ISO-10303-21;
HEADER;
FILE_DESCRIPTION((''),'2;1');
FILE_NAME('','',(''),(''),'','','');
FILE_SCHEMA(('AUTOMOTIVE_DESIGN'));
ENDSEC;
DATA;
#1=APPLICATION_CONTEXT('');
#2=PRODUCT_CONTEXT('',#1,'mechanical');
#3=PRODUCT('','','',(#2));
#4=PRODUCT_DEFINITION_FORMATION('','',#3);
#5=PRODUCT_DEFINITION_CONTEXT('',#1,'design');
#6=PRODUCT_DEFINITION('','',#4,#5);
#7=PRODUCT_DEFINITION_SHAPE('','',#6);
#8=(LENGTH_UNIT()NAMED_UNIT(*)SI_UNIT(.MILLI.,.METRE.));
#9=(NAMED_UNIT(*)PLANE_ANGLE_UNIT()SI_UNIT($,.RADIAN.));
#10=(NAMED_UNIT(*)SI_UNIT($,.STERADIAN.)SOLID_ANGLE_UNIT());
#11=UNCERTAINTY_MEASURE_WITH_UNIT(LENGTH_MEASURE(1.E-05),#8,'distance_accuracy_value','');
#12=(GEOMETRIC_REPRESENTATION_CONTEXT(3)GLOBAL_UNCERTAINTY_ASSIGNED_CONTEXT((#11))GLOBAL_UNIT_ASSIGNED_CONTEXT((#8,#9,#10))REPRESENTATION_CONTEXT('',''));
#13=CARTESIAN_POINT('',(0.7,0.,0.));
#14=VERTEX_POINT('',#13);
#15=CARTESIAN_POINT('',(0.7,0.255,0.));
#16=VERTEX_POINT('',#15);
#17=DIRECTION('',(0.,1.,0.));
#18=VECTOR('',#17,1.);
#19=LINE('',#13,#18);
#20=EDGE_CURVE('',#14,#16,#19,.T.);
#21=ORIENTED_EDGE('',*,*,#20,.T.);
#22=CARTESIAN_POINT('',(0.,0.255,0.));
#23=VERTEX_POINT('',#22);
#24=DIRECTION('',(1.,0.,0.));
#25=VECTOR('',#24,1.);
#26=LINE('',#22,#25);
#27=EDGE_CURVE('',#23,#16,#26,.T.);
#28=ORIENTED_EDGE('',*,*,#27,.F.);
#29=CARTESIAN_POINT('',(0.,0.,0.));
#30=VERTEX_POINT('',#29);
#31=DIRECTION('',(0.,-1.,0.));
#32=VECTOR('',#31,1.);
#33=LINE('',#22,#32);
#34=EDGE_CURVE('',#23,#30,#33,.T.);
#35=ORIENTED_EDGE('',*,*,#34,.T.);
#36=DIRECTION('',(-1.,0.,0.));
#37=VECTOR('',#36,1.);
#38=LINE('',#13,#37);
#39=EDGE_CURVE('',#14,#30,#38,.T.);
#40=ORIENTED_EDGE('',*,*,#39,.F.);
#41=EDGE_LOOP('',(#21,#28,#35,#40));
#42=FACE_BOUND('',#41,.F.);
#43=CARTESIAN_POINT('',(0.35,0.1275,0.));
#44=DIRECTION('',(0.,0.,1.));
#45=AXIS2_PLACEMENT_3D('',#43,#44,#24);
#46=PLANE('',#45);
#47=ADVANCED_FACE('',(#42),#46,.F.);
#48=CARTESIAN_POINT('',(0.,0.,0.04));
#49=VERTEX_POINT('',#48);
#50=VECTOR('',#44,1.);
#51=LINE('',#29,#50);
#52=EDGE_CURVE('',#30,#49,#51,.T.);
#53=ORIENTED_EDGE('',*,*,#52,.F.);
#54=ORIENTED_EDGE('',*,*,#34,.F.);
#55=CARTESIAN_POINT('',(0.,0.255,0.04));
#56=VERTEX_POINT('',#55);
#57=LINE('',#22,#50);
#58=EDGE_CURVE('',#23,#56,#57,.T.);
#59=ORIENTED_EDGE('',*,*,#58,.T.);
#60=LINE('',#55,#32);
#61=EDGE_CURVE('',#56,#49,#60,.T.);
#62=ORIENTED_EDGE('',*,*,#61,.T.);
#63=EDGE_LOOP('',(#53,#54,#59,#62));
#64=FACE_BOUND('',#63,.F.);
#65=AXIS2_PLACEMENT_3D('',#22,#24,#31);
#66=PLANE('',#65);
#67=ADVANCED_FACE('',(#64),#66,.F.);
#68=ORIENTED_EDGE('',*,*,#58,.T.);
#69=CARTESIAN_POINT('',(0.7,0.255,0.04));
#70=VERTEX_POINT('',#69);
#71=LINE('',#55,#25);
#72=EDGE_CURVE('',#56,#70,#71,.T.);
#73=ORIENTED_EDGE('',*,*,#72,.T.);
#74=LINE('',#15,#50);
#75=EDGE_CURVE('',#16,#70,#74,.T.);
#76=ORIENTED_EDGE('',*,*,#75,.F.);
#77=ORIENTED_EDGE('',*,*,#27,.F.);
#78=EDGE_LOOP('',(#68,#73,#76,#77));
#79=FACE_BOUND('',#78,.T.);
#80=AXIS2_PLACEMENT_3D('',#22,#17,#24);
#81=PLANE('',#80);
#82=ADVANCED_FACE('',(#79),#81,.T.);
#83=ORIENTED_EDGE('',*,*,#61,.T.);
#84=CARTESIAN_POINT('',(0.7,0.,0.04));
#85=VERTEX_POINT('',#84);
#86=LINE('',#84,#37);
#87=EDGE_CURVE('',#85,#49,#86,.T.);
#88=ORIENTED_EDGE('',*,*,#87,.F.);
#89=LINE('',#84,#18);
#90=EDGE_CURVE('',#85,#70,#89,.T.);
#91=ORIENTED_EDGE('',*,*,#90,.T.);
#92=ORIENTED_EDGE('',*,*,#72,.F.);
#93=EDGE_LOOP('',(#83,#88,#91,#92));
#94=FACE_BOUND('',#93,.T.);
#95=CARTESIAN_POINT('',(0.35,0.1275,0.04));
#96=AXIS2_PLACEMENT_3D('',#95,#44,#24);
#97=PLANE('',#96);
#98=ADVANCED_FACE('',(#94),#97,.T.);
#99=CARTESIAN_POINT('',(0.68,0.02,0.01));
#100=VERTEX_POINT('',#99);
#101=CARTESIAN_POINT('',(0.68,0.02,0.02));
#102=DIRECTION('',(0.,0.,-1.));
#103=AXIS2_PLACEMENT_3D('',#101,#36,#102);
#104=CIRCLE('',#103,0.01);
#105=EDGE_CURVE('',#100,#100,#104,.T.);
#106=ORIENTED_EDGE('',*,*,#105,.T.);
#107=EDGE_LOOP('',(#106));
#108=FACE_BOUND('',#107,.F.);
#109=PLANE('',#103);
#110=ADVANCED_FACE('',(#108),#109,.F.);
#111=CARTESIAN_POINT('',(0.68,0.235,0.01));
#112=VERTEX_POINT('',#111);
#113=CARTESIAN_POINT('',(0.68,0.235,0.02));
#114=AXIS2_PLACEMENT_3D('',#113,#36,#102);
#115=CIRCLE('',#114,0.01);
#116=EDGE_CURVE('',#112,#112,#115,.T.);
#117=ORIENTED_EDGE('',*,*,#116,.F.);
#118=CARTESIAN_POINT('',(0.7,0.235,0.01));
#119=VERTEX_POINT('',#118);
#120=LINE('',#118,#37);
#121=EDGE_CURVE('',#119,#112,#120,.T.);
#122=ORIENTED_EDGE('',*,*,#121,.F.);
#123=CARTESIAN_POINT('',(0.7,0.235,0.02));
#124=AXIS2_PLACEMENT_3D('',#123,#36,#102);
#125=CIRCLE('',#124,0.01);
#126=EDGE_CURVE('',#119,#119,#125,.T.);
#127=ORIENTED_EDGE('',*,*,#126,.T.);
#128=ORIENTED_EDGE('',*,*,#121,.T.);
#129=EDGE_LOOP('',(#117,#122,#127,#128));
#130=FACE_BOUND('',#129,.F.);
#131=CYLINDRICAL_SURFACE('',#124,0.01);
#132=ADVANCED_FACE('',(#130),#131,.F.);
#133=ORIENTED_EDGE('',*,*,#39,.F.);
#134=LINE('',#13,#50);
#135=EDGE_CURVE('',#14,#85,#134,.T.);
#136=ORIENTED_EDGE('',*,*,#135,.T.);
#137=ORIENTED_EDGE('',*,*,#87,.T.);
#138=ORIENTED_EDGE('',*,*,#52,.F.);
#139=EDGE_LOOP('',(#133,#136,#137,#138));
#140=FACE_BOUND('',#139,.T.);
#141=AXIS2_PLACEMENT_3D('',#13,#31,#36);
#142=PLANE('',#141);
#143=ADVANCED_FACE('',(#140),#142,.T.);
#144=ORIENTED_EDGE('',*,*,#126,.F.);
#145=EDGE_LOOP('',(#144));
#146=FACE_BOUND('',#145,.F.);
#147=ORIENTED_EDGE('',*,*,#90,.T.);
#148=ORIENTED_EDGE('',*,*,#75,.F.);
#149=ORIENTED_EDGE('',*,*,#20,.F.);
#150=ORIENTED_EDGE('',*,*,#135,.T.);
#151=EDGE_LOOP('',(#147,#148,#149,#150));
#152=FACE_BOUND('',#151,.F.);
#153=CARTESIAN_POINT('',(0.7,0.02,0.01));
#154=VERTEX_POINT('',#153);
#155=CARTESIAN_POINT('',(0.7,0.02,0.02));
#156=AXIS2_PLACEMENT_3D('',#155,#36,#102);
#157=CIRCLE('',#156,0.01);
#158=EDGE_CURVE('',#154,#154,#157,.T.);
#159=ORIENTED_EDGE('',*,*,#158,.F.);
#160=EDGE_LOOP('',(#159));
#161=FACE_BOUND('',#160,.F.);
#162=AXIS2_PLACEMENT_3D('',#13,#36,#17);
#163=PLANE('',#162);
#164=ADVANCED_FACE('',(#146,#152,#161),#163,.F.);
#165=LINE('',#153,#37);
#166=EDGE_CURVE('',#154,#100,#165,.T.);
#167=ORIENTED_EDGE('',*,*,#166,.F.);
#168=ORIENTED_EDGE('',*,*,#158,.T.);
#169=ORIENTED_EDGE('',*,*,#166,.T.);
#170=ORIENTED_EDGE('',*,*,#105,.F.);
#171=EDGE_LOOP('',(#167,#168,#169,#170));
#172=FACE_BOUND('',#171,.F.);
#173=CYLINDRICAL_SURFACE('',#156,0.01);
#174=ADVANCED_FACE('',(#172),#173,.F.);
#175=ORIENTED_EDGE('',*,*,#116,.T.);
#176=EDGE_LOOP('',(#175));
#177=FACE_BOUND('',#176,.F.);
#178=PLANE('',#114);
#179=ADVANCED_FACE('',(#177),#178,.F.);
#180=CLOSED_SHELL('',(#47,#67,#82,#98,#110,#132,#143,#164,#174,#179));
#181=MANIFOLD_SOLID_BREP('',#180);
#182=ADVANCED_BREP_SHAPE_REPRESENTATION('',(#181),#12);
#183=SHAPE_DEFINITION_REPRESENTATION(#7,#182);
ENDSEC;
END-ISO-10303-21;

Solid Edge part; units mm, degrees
sketch "Sketch1" plane through (0, 0, 0) normal (0, 0, 1) x (1, 0, 0)
  line L0 (0, 0.255) -> (0, 0)
  line L1 (0.7, 0) -> (0, 0)
  line L2 (0.7, 0) -> (0.7, 0.255)
  line L3 (0, 0.255) -> (0.7, 0.255)
  dimension "D1" = 0.04
extrude "Protrusion1" add sketch "Sketch1" along normal blind 0.04
hole "Bohrung_3" at (0.7, 0.02, 0.02) direction (-1, 0, 0) diameter 0.02 depth 0.02
hole "Hole1" at (0.7, 0.235, 0.02) direction (-1, 0, 0) diameter 0.02 depth 0.02
